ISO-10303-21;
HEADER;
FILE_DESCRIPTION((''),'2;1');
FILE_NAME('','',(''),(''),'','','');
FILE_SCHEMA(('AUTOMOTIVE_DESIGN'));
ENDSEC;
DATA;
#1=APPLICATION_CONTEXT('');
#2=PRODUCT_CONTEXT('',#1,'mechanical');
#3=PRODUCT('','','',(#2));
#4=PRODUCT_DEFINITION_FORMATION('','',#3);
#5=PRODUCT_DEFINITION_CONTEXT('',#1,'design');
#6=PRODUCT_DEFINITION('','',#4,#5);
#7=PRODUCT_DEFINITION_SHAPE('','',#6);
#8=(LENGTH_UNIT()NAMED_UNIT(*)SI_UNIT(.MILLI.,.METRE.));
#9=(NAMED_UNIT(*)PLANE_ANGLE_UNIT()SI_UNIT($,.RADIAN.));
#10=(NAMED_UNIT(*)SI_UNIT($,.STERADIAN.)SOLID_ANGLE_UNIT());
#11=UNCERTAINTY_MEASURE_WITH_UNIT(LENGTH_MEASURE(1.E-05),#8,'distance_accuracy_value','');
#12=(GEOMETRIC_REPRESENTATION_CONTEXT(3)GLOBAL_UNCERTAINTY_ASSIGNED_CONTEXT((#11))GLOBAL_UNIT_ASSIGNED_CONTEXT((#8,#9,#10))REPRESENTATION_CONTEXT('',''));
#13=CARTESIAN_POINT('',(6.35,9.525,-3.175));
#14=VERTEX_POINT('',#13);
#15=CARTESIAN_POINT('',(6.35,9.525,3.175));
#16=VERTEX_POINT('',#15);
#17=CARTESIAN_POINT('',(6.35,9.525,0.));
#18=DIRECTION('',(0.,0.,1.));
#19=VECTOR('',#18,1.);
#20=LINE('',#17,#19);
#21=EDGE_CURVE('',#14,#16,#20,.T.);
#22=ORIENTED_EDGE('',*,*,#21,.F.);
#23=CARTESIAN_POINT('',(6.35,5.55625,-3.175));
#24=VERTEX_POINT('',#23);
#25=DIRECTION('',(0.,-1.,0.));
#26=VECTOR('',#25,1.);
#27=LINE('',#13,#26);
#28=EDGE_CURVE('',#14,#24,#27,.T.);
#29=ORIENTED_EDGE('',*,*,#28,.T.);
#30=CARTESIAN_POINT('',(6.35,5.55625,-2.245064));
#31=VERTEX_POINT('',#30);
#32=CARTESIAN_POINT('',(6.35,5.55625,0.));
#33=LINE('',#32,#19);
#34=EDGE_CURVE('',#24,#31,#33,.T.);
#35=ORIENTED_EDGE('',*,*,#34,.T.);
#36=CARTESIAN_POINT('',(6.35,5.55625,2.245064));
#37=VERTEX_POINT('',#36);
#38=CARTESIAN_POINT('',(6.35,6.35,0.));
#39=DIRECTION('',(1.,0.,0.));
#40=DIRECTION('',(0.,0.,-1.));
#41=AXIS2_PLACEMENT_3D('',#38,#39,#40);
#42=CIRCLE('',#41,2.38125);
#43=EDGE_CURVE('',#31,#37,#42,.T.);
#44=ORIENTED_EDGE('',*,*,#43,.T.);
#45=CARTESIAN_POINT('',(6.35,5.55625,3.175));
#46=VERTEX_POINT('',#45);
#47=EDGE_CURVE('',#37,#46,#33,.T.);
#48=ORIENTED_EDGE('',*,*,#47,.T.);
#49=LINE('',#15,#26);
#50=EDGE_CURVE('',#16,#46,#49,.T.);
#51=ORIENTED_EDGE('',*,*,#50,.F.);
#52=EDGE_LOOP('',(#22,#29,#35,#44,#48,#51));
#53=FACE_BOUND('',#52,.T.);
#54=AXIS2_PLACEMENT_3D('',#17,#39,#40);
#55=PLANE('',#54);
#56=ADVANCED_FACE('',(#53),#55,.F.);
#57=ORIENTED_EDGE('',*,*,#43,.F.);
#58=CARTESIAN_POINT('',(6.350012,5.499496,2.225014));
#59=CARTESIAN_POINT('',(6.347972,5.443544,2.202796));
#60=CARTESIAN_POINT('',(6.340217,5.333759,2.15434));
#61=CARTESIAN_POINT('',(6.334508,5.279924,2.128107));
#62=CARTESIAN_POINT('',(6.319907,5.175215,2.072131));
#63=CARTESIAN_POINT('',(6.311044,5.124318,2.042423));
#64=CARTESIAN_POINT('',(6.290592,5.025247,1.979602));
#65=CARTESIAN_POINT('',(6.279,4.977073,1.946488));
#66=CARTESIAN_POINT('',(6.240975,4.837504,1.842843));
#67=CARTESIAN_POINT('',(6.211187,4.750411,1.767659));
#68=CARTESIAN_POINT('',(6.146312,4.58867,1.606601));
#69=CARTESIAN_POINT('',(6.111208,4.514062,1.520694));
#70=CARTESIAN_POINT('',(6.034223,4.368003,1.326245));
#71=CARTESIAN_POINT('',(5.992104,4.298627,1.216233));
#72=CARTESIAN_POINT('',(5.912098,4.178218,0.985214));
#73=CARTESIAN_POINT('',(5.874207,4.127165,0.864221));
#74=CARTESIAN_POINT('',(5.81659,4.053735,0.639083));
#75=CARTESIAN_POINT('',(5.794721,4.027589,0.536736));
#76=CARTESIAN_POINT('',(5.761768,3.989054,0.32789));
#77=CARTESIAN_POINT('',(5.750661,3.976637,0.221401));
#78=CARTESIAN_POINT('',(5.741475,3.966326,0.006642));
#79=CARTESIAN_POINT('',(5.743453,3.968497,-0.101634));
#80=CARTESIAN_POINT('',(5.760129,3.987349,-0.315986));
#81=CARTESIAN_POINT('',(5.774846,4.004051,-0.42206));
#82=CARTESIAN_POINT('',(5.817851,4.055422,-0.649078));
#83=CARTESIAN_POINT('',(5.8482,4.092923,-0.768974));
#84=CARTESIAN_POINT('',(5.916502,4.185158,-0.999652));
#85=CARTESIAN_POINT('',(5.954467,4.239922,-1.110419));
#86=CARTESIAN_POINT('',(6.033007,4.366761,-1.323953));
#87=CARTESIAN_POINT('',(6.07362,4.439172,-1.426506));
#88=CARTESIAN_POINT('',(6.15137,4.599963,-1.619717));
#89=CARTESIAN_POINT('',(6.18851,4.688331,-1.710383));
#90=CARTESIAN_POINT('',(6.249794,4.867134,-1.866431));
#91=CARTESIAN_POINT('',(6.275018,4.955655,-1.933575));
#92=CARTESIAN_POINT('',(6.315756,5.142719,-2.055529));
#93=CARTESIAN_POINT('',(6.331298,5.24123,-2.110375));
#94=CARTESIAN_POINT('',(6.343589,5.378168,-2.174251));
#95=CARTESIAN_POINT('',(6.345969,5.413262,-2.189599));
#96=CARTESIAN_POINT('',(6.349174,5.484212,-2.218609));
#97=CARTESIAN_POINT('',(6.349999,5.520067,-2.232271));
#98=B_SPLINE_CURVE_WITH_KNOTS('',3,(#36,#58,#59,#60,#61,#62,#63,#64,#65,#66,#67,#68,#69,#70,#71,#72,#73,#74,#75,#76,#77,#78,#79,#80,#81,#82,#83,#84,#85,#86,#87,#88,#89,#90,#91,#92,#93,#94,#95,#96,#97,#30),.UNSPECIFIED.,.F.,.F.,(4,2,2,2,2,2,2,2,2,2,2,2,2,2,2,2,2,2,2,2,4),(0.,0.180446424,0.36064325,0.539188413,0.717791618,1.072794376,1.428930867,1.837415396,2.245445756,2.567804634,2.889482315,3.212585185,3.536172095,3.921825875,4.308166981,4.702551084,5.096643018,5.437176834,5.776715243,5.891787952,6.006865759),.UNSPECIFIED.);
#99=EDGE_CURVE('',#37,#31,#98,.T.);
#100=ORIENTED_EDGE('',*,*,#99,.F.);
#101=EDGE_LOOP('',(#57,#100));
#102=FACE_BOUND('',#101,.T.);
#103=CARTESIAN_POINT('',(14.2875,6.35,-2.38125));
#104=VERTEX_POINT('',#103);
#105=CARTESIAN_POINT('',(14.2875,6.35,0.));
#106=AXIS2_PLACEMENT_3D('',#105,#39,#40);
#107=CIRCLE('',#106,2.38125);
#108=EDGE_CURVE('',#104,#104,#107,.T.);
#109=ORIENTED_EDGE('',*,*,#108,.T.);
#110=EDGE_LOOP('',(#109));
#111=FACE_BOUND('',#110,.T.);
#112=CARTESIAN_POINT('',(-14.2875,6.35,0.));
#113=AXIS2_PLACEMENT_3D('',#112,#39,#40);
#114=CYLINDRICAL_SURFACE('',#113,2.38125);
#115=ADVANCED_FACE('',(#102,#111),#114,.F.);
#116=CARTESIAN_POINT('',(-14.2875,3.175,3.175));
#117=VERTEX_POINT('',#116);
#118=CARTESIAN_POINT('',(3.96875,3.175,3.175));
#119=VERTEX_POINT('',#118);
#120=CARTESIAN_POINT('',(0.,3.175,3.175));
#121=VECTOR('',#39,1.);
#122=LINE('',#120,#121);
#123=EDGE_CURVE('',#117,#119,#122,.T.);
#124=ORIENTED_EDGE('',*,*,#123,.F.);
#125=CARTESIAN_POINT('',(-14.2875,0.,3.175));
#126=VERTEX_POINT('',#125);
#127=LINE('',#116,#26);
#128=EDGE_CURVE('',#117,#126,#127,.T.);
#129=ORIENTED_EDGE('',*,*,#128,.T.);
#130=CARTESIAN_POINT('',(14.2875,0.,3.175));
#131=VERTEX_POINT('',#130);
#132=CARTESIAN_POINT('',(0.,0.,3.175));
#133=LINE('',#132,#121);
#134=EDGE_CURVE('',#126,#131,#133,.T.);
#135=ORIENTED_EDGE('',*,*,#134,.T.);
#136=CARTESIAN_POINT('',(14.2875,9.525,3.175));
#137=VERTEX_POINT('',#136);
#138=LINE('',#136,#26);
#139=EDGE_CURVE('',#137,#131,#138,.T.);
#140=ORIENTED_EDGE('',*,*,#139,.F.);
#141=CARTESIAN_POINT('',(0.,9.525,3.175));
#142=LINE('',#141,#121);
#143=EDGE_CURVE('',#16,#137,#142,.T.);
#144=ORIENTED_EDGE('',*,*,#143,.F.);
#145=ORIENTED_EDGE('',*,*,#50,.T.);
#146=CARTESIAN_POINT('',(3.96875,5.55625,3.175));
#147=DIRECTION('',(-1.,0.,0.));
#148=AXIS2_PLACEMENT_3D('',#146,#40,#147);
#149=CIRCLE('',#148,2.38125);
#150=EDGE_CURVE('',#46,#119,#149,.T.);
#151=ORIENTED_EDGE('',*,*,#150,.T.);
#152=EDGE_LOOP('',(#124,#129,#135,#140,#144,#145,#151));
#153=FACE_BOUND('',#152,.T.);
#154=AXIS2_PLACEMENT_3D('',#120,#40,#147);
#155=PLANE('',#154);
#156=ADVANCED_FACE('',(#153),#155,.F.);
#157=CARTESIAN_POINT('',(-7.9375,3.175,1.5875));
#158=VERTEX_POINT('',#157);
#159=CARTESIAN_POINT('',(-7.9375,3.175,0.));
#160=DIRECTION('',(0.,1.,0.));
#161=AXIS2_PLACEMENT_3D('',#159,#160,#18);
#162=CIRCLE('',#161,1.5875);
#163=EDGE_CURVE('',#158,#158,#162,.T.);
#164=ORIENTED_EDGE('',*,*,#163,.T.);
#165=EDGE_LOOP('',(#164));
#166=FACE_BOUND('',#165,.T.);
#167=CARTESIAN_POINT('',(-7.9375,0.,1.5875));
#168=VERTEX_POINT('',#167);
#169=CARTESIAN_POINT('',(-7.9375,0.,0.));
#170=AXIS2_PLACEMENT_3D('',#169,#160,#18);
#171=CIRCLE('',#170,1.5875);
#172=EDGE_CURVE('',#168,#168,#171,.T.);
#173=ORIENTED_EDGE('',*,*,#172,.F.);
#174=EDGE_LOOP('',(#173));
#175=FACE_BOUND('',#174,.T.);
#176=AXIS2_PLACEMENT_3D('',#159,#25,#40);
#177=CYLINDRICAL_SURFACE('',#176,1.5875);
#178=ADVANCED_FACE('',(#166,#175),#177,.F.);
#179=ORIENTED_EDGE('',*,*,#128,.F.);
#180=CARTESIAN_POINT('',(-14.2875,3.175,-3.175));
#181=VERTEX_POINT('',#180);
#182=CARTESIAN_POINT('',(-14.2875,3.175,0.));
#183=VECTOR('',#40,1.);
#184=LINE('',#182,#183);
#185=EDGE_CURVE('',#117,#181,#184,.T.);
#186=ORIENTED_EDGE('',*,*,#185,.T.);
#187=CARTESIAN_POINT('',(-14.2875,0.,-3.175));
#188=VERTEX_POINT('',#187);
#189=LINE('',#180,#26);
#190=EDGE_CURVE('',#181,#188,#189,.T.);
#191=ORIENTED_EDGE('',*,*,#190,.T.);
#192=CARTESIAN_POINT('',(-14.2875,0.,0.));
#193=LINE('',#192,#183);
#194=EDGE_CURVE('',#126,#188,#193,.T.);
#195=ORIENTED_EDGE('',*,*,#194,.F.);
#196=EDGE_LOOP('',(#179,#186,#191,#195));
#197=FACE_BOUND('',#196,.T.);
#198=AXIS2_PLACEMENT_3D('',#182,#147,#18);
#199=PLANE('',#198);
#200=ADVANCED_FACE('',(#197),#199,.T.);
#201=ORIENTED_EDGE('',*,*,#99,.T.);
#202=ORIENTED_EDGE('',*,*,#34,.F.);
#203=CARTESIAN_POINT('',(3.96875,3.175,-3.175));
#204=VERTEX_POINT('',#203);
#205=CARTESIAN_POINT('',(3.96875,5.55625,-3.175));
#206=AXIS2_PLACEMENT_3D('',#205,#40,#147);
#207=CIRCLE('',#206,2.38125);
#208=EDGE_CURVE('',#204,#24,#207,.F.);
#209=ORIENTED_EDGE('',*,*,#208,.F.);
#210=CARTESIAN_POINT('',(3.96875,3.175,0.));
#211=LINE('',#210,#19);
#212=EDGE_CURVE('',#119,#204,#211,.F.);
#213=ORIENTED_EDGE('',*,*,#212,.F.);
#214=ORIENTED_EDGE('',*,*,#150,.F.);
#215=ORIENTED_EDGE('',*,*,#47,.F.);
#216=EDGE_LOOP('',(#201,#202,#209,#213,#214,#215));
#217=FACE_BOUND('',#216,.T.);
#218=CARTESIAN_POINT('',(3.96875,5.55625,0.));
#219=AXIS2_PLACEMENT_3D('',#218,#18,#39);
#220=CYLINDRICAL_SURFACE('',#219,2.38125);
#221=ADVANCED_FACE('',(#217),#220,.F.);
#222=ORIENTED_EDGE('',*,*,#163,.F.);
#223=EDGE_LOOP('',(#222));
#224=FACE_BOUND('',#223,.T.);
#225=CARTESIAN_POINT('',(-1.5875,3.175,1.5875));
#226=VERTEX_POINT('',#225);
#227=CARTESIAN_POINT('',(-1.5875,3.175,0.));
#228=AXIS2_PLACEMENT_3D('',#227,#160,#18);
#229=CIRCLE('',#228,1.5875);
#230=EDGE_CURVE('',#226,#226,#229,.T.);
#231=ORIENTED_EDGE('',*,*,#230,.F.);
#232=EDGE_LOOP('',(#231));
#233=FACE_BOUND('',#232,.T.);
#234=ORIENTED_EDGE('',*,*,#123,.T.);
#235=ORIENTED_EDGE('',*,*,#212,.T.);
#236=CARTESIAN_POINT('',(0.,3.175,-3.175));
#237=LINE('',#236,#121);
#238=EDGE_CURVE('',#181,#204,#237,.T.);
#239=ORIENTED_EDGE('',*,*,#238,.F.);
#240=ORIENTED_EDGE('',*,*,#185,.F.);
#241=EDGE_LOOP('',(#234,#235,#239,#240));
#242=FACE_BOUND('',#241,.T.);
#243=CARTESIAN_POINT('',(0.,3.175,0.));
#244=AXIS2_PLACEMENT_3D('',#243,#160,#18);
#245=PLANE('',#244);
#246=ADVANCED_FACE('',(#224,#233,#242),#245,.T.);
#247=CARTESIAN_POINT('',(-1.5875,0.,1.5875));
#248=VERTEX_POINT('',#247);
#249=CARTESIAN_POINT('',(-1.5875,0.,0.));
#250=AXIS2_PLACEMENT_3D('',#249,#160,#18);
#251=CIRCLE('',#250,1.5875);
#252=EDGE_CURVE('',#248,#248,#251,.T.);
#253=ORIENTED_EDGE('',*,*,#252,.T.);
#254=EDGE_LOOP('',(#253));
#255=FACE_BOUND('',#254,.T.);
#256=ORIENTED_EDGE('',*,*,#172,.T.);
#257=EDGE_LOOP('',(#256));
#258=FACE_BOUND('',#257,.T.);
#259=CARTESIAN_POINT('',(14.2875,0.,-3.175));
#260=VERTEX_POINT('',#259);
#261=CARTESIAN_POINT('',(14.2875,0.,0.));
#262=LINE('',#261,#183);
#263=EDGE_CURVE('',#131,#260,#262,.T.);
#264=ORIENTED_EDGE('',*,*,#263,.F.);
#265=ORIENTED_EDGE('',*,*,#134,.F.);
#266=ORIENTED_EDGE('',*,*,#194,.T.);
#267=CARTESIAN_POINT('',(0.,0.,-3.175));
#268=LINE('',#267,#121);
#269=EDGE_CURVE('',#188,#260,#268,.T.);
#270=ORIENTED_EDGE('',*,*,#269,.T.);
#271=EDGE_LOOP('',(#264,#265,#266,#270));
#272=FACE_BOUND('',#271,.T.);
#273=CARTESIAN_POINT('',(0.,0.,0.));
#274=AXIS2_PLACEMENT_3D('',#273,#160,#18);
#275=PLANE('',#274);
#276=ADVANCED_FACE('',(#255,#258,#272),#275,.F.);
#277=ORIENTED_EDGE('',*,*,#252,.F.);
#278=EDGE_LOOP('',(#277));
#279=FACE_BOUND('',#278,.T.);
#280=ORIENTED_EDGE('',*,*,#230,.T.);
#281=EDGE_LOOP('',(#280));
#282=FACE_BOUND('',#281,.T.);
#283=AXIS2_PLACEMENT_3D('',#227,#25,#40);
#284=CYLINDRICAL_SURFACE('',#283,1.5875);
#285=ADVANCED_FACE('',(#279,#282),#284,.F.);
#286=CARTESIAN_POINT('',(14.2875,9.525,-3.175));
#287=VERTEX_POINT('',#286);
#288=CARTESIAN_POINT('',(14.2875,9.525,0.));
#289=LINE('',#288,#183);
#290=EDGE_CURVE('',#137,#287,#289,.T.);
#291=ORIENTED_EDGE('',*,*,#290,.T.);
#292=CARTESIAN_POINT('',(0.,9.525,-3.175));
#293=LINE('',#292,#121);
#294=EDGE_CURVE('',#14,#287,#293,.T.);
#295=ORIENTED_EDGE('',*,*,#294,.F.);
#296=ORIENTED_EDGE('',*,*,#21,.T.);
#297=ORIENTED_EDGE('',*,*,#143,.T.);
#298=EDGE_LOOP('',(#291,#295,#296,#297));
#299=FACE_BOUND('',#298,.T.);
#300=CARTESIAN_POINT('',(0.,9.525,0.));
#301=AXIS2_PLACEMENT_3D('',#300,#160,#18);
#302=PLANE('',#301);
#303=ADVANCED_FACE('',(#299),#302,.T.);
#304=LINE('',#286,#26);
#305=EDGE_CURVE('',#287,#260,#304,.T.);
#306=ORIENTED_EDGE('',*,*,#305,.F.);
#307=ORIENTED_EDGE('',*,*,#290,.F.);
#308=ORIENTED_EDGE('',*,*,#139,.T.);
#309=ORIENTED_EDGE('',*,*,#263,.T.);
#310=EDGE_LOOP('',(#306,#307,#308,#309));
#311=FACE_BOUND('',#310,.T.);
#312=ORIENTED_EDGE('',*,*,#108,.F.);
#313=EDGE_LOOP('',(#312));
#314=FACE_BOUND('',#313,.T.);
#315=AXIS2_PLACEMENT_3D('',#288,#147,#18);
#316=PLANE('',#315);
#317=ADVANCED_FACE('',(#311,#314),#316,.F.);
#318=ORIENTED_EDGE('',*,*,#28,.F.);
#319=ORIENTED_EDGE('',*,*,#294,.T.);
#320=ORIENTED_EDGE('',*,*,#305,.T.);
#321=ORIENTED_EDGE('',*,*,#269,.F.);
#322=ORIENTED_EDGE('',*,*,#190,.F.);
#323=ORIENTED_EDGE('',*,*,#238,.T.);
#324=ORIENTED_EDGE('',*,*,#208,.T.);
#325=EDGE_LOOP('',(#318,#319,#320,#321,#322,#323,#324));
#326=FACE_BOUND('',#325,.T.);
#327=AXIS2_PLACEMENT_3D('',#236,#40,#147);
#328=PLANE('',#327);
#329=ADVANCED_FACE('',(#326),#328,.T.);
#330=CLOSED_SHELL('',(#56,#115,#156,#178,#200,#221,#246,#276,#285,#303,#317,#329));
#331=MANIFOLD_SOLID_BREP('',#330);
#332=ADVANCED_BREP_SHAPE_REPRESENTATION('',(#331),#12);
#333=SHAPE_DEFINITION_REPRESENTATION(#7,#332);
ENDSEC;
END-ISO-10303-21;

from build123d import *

# Parameters (mm, degrees)
SKETCH1_W           = 20.6375
SKETCH1_H           = 6.35
SKETCH1_R           = 1.5875
BOSS_EXTRUDE1_DEPTH = 3.175
SKETCH1_3_W         = 7.9375
SKETCH1_3_H         = 6.35
BOSS_EXTRUDE2_DEPTH = 9.525
FILLET1_R           = 2.38125
SKETCH2_R           = 2.38125
CUT_EXTRUDE1_DEPTH  = 31.287569645


with BuildPart() as part:
    # Sketch1 → Boss-Extrude1 (new body)
    with BuildSketch(Plane(origin=(0, 0, 0), x_dir=(1, 0, 0), z_dir=(0, 1, 0))):
        with Locations((-3.96875, 0)):
            Rectangle(SKETCH1_W, SKETCH1_H)
        with Locations((-7.9375, 0)):
            Circle(SKETCH1_R, mode=Mode.SUBTRACT)
        with Locations((-1.5875, 0)):
            Circle(SKETCH1_R, mode=Mode.SUBTRACT)
    extrude(amount=BOSS_EXTRUDE1_DEPTH)

    # Sketch1<3> → Boss-Extrude2 (add)
    with BuildSketch(Plane(origin=(0, 0, 0), x_dir=(1, 0, 0), z_dir=(0, 1, 0))):
        with Locations((10.31875, 0)):
            Rectangle(SKETCH1_3_W, SKETCH1_3_H)
    extrude(amount=BOSS_EXTRUDE2_DEPTH)

    # Fillet1
    fillet1_edges = [part.edges().sort_by_distance(p)[0] for p in [
        (6.35, 3.175, 0),
    ]]
    fillet(fillet1_edges, radius=FILLET1_R)

    # Sketch2 → Cut-Extrude1 (cut, through all)
    with BuildSketch(Plane(origin=(14.2875, 0, 0), x_dir=(0, 0, -1), z_dir=(1, 0, 0))):
        with Locations((0, 6.35)):
            Circle(SKETCH2_R)
    extrude(amount=-CUT_EXTRUDE1_DEPTH, mode=Mode.SUBTRACT)


solid = part.part
